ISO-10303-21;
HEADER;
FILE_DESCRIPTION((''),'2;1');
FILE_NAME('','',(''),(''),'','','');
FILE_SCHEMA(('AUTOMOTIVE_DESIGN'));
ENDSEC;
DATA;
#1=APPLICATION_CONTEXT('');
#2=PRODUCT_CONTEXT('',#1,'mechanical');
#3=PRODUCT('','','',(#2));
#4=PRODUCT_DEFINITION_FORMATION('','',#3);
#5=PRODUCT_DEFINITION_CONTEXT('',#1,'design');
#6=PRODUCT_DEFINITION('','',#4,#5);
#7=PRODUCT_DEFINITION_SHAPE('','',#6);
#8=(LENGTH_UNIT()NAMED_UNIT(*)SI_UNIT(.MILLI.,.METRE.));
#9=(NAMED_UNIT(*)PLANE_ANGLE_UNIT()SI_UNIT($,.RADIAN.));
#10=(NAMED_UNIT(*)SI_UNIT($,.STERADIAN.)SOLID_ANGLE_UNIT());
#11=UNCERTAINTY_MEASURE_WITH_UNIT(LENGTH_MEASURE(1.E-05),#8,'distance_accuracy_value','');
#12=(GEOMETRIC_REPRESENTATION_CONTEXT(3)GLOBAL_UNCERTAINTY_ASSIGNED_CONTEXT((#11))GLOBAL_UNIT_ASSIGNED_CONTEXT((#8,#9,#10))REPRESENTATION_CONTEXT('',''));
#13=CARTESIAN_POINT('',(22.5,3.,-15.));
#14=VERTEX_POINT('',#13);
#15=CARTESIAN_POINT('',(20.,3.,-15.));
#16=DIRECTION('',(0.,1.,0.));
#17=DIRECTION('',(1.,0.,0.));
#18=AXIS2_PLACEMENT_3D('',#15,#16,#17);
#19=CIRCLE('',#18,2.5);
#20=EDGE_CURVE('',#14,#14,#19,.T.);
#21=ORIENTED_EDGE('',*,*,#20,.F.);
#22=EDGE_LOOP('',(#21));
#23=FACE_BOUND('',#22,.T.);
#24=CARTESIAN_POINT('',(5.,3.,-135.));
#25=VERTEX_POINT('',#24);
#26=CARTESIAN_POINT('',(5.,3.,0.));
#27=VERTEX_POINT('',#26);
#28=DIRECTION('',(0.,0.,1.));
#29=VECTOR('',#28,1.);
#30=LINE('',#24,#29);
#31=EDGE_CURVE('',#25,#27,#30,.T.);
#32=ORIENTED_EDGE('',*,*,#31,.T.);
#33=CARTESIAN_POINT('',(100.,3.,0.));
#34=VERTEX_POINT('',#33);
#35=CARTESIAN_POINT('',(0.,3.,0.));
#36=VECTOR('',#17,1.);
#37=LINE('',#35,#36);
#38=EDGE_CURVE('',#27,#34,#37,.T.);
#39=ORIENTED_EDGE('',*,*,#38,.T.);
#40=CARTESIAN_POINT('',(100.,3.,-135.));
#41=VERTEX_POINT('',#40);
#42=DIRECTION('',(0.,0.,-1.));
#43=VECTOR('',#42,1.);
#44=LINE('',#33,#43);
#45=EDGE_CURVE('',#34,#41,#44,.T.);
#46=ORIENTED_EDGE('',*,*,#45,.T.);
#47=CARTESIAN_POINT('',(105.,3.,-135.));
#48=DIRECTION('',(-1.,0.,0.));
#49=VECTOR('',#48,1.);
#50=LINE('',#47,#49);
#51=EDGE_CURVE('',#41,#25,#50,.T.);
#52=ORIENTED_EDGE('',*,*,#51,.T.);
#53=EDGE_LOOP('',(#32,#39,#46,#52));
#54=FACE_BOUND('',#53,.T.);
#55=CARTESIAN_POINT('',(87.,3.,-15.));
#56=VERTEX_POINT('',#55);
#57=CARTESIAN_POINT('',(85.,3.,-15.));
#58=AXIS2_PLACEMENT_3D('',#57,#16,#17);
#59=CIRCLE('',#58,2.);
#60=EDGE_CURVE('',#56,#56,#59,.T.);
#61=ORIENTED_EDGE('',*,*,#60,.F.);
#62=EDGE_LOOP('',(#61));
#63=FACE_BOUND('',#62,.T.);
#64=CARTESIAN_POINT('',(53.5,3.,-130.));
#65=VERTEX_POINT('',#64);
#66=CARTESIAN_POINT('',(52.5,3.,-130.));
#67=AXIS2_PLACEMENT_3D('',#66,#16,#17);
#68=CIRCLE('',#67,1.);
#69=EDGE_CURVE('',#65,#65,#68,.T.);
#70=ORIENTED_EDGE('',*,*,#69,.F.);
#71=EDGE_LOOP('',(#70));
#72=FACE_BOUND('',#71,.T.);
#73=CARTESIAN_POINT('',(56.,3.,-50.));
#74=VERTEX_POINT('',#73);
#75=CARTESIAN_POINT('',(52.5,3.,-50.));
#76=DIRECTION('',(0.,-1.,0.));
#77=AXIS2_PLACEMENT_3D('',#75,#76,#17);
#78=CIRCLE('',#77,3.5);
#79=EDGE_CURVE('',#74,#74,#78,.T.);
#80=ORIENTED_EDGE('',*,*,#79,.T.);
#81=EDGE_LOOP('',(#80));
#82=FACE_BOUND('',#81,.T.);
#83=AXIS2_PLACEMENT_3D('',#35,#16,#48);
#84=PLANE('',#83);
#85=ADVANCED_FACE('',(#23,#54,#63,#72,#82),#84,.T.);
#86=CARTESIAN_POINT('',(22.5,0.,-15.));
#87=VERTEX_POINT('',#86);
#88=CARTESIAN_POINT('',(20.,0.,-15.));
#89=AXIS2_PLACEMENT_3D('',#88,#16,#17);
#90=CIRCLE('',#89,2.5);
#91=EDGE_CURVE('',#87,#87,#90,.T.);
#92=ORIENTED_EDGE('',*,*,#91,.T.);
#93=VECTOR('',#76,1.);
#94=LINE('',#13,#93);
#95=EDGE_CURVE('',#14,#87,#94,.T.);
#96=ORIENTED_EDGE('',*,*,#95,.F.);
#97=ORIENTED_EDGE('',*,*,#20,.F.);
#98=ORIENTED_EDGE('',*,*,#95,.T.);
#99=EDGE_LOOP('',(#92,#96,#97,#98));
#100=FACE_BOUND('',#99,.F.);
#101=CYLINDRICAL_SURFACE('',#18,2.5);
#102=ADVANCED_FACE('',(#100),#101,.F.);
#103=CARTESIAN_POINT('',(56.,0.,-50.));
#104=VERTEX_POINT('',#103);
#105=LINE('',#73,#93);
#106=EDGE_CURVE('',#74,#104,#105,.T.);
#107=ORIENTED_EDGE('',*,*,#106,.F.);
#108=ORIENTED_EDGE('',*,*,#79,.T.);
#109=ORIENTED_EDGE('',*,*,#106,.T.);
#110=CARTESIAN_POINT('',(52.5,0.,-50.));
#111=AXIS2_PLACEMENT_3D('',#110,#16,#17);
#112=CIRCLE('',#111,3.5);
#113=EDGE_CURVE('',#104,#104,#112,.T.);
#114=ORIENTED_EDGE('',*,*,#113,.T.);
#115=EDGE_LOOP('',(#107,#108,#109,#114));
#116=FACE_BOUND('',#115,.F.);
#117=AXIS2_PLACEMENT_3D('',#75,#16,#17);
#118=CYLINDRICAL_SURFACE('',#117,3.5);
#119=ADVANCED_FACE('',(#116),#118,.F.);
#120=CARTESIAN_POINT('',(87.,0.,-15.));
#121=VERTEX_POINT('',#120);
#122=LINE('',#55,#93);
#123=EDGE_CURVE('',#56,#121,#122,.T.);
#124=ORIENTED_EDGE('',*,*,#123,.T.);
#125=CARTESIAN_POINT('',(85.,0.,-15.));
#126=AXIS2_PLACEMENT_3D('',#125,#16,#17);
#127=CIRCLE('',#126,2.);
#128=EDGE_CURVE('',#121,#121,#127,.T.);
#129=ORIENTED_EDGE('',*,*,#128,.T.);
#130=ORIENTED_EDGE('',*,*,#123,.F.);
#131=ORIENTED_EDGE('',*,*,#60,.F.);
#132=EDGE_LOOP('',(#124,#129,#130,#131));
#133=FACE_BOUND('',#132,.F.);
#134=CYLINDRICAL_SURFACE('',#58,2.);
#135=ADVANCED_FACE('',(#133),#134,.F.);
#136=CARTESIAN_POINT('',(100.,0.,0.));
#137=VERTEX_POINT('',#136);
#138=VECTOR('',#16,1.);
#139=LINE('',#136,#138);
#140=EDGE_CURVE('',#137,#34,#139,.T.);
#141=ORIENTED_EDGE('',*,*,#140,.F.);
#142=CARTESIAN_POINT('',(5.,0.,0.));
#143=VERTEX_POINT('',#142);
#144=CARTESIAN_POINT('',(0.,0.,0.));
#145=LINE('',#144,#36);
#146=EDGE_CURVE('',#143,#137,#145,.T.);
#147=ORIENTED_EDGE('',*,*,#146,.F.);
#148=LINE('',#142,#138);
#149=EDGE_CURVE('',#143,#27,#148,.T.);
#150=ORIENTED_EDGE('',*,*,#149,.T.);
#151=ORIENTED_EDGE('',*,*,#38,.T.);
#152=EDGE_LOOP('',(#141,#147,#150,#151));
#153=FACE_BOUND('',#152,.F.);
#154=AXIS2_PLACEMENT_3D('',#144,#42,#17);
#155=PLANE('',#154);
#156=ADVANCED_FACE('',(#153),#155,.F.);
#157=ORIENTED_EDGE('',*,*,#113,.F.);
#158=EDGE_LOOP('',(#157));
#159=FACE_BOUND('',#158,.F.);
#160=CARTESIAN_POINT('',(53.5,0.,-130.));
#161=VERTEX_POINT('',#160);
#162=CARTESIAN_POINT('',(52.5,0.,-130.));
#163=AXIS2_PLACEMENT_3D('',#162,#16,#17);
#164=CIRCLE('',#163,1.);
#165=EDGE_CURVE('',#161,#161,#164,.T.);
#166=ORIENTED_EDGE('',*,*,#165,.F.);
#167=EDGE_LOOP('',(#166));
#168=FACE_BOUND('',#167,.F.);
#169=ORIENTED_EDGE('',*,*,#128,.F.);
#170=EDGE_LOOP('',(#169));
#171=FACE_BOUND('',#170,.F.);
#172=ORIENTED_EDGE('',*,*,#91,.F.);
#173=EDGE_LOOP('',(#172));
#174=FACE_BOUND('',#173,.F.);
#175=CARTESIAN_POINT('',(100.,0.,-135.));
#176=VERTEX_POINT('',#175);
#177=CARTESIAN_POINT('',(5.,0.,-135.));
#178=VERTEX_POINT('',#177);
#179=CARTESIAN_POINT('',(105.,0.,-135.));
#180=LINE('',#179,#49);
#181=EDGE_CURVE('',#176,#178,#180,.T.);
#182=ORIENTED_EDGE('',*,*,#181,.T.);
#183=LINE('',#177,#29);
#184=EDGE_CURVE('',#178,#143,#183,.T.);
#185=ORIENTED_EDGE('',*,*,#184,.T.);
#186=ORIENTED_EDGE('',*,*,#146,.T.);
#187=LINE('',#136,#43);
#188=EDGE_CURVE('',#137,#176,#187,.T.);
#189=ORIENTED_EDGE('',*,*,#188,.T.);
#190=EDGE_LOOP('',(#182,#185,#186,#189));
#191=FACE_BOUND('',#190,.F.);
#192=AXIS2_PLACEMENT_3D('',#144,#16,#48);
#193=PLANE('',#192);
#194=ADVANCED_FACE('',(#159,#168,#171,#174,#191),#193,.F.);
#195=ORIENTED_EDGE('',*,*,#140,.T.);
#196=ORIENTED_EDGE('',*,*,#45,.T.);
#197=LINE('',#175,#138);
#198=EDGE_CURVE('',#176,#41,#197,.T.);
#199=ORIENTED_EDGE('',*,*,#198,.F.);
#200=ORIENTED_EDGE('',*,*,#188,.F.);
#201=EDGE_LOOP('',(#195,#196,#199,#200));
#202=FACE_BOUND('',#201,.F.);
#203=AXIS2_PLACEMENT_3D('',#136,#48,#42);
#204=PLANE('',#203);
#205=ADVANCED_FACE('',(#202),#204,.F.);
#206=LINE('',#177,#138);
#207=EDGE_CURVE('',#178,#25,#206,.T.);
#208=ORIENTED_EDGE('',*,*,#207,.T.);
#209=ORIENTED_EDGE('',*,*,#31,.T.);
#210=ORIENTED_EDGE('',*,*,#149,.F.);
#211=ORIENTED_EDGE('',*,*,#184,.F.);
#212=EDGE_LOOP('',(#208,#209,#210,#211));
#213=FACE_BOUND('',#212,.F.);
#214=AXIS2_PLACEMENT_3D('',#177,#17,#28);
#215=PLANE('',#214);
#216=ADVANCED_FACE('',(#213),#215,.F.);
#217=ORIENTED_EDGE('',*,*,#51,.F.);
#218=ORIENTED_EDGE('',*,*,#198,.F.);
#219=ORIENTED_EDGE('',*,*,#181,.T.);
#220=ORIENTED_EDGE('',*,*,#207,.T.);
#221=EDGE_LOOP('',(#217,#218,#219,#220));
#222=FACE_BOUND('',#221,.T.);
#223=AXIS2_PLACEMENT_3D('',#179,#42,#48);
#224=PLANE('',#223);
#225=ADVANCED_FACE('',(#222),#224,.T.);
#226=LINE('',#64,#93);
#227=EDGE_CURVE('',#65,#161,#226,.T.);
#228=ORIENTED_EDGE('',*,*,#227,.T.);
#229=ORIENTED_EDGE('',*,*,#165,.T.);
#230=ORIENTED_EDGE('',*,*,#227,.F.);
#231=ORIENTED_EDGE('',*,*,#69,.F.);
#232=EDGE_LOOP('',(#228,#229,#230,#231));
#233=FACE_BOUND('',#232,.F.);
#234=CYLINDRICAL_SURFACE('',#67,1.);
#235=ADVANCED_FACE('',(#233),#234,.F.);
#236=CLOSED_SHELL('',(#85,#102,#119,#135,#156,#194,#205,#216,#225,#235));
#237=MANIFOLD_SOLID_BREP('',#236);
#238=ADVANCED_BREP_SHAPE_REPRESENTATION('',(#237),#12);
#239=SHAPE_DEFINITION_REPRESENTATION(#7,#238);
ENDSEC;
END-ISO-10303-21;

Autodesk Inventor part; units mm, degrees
ref_plane "YZ Plane" through (0, 0, 0) normal (1, 0, 0) x (0, 1, 0)
ref_plane "XZ Plane" through (0, 0, 0) normal (0, 1, 0) x (-1, 0, 0)
ref_plane "XY Plane" through (0, 0, 0) normal (0, 0, 1) x (1, 0, 0)
sketch "Boceto1" plane through (0, 0, 0) normal (0, 1, 0) x (-1, 0, 0)
  line L0 (0, 0) -> (-105, 0)
  line L1 (-105, 0) -> (-105, -140)
  line L2 (-105, -140) -> (0, -140)
  line L3 (0, -140) -> (0, 0)
  dimension "d0" = 105
  dimension "d1" = 140
extrude "Extrusión1" add sketch "Boceto1" along normal blind 3
sketch "Boceto2" plane through (0, 3, 0) normal (0, 1, 0) x (1, 0, 0)
  circle A0 centre (85, 15) radius 2
  circle A1 centre (20, 15) radius 2.5
  circle A2 centre (52.5, 50) radius 3.5
  line L0 (0, 0) -> (105, 0) projected
  line L1 (0, 140) -> (0, 0) projected
  line L2 (105, 0) -> (105, 140) projected
  line L3 (52.5, 50) -> (52.5, -7.4445)
  dimension "d4" = 4
  dimension "d5" = 5
  dimension "d6" = 7
  dimension "d7" = 15
  dimension "d8" = 15
  dimension "d9" = 50
  dimension "d10" = 52.5
  dimension "d11" = 105
  dimension "d14" = 85
  dimension "d15" = 85
extrude "Extrusión2" cut sketch "Boceto2" against normal blind 3
sketch "Boceto3" plane through (0, 3, 0) normal (0, 1, 0) x (1, 0, 0)
  circle A0 centre (20, 15) radius 2.5 projected
  circle A1 centre (85, 15) radius 2 projected
  circle A2 centre (52.5, 50) radius 3.5 projected
  line L0 (0, 0) -> (105, 0) projected
  line L1 (105, 0) -> (105, 140) projected
  line L2 (105, 140) -> (0, 140) projected
  line L3 (0, 140) -> (0, 0) projected
  circle A3 centre (52.5, 130) radius 1
  dimension "d18" = 2
  dimension "d19" = 0
  dimension "d20" = 10
extrude "Extrusión3" cut sketch "Boceto3" against normal blind 3 contours A3
sketch "Boceto4" plane through (105, 0, -140) normal (0, 0, -1) x (-1, 0, 0)
  line L0 (0, 0) -> (105, 0) projected
  line L1 (105, 0) -> (105, 3) projected
  line L2 (0, 3) -> (105, 3) projected
  line L3 (0, 0) -> (0, 3) projected
extrude "Extrusión4" cut sketch "Boceto4" against normal blind 5
sketch "Boceto5" plane through (0, 3, 0) normal (0, 1, 0) x (1, 0, 0)
  line L0 (105, 135) -> (0, 135) projected
  line L1 (0, 135) -> (0, 0) projected
  line L2 (0, 0) -> (105, 0) projected
  line L3 (105, 0) -> (105, 135) projected
  circle A0 centre (52.5, 50) radius 3.5 projected
  circle A1 centre (85, 15) radius 2 projected
  circle A2 centre (20, 15) radius 2.5 projected
  circle A3 centre (52.5, 130) radius 1 projected
  line L4 (105, 135) -> (0, 135) projected
  line L5 (102.5, 0) -> (2.5, 0)
  line L6 (2.5, 0) -> (2.5, 135)
  line L7 (2.5, 135) -> (102.5, 135)
  line L8 (102.5, 135) -> (102.5, 0)
  line L9 (102.5, 0) -> (2.5, 135) construction
  line L10 (2.5, 0) -> (102.5, 135) construction
  point P0 (52.5, 67.5)
  dimension "d25" = 100
extrude "Extrusión5" cut sketch "Boceto5" against normal blind 3 contours L3 L2 L8 L0 | L6 L2 L1 L0
sketch "Boceto6" plane through (0, 0, 0) normal (0, -1, 0) x (1, 0, 0)
  line L0 (102.5, -135) -> (102.5, 0) projected
  line L1 (2.5, 0) -> (102.5, 0) projected
  line L2 (2.5, 0) -> (2.5, -135) projected
  line L3 (2.5, -135) -> (102.5, -135) projected
  circle A0 centre (52.5, -130) radius 1 projected
  circle A1 centre (20, -15) radius 2.5 projected
  circle A2 centre (85, -15) radius 2 projected
  circle A3 centre (52.5, -50) radius 3.5 projected
  line L4 (2.5, 0) -> (102.5, 0) projected
  line L5 (100, -135) -> (5, -135)
  line L6 (5, -135) -> (5, 0)
  line L7 (5, 0) -> (100, 0)
  line L8 (100, 0) -> (100, -135)
  line L9 (100, -135) -> (5, 0) construction
  line L10 (5, -135) -> (100, 0) construction
  point P0 (0, 0)
  point P1 (52.5, -67.5)
  dimension "d28" = 95
extrude "Extrusión6" cut sketch "Boceto6" against normal blind 3 contours L3 L8 L1 L0 | L3 L2 L1 L6
equation "\"d10\" = 0.5 * d11"
properties part number "trasera"
